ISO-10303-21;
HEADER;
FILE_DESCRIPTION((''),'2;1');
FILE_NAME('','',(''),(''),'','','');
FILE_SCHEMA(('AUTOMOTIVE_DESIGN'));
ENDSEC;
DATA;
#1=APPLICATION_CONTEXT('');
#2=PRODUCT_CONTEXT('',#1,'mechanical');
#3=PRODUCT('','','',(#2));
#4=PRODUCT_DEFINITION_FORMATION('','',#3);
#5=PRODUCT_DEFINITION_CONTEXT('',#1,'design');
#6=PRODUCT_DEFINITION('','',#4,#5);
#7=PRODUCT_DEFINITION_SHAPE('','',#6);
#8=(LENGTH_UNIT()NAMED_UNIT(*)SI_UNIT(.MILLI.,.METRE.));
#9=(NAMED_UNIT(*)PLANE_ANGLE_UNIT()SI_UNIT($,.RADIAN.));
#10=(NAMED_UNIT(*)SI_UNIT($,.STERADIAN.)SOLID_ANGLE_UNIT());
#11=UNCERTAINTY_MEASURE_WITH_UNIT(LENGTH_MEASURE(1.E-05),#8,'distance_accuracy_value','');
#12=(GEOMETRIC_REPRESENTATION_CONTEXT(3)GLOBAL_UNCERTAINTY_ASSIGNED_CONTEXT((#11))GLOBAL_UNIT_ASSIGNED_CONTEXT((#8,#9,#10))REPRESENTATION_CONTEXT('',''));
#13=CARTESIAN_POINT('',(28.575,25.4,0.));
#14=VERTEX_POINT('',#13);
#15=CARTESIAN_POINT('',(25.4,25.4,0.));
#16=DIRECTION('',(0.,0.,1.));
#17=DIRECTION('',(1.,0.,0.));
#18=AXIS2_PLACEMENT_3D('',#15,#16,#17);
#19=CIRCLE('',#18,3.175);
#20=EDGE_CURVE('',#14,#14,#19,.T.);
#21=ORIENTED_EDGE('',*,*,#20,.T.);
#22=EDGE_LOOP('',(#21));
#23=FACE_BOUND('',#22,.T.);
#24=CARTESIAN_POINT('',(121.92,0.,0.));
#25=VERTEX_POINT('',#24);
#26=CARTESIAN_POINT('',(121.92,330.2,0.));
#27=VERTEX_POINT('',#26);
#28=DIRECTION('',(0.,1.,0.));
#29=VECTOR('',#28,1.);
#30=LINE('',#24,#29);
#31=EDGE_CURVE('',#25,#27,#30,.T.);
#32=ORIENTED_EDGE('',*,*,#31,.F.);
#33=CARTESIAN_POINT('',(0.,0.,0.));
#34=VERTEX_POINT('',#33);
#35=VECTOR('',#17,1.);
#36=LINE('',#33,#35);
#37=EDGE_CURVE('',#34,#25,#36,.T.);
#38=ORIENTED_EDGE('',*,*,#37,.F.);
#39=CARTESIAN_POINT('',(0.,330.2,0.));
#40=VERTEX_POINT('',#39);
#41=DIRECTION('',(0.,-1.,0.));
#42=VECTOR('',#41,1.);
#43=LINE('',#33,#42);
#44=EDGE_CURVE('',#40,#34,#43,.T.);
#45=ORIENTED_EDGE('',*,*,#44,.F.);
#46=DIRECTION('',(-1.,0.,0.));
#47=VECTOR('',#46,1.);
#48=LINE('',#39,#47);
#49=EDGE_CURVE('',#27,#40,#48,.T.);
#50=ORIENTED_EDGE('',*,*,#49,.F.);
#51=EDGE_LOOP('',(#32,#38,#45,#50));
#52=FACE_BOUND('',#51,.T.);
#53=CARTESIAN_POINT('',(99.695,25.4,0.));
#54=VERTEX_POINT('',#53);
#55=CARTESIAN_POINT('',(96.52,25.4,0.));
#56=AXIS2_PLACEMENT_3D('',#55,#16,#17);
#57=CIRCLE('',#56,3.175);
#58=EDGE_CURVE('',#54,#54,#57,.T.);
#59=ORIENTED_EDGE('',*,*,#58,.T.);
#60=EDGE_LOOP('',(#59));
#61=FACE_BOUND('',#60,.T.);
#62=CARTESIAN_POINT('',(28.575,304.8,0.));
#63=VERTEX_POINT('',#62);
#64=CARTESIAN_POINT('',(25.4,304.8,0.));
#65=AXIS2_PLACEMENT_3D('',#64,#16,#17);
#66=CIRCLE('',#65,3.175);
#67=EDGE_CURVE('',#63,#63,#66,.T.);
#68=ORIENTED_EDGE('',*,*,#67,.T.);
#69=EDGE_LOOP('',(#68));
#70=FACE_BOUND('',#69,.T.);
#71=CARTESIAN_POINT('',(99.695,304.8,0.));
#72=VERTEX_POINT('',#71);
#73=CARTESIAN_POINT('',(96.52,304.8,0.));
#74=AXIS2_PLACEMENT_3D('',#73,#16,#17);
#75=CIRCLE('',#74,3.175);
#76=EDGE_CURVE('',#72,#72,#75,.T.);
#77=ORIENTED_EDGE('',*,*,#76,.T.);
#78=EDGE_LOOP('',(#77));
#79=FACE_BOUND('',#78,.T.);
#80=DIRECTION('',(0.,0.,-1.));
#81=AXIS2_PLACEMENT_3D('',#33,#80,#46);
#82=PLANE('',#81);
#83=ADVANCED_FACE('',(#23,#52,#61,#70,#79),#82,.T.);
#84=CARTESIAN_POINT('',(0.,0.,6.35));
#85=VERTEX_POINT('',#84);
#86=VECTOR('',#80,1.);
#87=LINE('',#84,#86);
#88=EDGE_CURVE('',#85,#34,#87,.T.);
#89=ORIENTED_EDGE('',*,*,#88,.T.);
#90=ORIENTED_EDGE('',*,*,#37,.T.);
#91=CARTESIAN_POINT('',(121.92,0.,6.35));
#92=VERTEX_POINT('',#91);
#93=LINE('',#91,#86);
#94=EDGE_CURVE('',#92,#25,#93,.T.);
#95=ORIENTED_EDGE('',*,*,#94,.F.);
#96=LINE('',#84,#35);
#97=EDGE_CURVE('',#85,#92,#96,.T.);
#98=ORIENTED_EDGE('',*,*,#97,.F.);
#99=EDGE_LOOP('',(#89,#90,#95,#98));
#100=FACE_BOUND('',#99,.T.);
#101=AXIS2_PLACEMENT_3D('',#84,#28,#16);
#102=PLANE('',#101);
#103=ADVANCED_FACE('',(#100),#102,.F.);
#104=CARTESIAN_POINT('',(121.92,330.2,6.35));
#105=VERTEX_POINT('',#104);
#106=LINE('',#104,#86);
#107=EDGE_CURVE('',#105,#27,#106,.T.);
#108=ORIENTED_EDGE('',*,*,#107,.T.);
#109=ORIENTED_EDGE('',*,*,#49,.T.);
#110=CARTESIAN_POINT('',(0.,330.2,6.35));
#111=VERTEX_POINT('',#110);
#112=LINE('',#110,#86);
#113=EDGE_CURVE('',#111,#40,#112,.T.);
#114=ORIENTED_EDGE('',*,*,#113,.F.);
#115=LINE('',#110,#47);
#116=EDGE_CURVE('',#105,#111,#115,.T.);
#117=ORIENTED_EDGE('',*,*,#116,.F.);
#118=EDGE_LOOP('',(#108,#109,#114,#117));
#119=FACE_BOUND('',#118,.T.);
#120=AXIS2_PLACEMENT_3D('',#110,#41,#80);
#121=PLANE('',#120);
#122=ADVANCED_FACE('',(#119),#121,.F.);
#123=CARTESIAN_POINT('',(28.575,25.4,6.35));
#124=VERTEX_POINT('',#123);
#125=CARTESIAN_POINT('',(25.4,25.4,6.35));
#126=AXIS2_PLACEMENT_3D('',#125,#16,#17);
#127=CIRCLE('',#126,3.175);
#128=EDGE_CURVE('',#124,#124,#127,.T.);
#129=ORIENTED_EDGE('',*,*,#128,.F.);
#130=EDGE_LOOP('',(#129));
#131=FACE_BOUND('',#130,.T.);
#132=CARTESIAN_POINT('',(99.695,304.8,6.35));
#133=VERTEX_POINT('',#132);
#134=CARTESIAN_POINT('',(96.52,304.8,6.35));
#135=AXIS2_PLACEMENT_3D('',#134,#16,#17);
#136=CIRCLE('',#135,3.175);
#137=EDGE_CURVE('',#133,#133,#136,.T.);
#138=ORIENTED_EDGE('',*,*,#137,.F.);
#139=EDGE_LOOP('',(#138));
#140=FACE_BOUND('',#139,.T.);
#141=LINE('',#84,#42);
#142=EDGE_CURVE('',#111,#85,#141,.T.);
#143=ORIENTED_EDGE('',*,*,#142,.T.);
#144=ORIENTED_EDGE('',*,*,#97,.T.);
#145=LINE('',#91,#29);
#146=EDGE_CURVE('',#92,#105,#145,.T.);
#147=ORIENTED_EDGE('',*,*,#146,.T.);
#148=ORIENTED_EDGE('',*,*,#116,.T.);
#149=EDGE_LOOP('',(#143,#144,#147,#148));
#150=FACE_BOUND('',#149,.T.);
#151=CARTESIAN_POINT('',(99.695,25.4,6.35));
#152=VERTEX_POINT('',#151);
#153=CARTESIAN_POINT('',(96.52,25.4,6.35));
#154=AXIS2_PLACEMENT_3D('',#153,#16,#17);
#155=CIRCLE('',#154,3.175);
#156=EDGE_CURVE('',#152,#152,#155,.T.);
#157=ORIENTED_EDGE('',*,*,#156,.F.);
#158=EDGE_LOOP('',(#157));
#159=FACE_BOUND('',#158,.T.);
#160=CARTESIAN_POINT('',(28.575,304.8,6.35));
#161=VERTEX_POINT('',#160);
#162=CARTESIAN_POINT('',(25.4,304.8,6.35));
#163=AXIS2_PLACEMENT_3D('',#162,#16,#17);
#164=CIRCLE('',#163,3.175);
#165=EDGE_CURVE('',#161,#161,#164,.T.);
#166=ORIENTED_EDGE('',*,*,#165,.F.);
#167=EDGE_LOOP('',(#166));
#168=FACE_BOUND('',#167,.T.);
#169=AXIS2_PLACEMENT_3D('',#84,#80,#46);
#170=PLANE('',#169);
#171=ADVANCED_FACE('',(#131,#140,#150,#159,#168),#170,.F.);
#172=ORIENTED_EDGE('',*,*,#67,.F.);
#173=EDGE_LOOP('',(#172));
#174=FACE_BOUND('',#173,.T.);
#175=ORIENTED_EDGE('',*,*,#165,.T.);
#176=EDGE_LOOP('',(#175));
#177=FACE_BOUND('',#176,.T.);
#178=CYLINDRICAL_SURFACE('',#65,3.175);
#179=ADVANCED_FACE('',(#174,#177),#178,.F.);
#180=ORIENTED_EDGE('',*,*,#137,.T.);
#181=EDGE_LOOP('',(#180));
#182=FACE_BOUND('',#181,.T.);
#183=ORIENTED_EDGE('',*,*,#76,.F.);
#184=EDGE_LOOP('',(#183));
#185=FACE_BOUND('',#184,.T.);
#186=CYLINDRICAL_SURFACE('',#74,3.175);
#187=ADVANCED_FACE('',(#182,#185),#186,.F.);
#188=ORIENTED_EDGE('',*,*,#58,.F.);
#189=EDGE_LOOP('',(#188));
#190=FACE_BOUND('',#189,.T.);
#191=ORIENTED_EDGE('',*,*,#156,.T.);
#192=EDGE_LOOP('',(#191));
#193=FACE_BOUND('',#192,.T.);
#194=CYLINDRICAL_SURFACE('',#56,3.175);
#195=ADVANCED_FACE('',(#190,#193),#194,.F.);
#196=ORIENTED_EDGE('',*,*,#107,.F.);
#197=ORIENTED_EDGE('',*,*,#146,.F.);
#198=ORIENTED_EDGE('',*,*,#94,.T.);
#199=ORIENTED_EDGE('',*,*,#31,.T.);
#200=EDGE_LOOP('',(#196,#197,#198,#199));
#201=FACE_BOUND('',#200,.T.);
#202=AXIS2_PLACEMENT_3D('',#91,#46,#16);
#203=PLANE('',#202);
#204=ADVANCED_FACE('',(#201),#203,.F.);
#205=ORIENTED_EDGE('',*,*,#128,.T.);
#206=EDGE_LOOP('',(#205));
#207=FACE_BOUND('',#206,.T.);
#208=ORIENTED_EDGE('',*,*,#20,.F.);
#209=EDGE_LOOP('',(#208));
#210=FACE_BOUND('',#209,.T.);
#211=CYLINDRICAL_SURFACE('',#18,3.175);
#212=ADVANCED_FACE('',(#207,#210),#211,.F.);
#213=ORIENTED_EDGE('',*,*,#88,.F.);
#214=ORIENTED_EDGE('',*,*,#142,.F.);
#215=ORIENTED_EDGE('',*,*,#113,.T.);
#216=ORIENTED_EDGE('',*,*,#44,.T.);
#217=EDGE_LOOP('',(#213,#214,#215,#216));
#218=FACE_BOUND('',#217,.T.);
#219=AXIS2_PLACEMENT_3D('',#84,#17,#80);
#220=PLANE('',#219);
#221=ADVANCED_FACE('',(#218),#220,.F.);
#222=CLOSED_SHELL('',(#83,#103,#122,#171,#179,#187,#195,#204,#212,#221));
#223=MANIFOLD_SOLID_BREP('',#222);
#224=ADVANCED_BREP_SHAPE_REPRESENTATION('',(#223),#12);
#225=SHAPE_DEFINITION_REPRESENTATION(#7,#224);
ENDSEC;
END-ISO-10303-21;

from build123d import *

# Parameters (mm, degrees)
SKETCH1_W            = 121.92
SKETCH1_H            = 330.2
BOSS_EXTRUDE1_DEPTH  = 6.35
SKETCH2_R            = 3.175
CUT_EXTRUDE1_DEPTH   = 6.35
LPATTERN1_COUNT      = 2
LPATTERN1_PITCH      = 71.12
LPATTERN1_COUNT_DIR2 = 2
LPATTERN1_PITCH_DIR2 = 279.4


with BuildPart() as part:
    # Sketch1 → Boss-Extrude1 (new body)
    with BuildSketch(Plane.XY):
        with Locations((60.96, 165.1)):
            Rectangle(SKETCH1_W, SKETCH1_H)
    extrude(amount=BOSS_EXTRUDE1_DEPTH)

    # Sketch2 → Cut-Extrude1 (cut)
    with BuildSketch(Plane.XY.offset(6.35)):
        with Locations((25.4, 304.8)):
            Circle(SKETCH2_R)
    cut_extrude1 = extrude(amount=-CUT_EXTRUDE1_DEPTH, mode=Mode.SUBTRACT)

    # LPattern1: Cut-Extrude1 2 × 2
    with Locations(*[(i * LPATTERN1_PITCH, -j * LPATTERN1_PITCH_DIR2, 0) for i in range(LPATTERN1_COUNT) for j in range(LPATTERN1_COUNT_DIR2) if (i, j) != (0, 0)]):
        add(cut_extrude1, mode=Mode.SUBTRACT)


solid = part.part
